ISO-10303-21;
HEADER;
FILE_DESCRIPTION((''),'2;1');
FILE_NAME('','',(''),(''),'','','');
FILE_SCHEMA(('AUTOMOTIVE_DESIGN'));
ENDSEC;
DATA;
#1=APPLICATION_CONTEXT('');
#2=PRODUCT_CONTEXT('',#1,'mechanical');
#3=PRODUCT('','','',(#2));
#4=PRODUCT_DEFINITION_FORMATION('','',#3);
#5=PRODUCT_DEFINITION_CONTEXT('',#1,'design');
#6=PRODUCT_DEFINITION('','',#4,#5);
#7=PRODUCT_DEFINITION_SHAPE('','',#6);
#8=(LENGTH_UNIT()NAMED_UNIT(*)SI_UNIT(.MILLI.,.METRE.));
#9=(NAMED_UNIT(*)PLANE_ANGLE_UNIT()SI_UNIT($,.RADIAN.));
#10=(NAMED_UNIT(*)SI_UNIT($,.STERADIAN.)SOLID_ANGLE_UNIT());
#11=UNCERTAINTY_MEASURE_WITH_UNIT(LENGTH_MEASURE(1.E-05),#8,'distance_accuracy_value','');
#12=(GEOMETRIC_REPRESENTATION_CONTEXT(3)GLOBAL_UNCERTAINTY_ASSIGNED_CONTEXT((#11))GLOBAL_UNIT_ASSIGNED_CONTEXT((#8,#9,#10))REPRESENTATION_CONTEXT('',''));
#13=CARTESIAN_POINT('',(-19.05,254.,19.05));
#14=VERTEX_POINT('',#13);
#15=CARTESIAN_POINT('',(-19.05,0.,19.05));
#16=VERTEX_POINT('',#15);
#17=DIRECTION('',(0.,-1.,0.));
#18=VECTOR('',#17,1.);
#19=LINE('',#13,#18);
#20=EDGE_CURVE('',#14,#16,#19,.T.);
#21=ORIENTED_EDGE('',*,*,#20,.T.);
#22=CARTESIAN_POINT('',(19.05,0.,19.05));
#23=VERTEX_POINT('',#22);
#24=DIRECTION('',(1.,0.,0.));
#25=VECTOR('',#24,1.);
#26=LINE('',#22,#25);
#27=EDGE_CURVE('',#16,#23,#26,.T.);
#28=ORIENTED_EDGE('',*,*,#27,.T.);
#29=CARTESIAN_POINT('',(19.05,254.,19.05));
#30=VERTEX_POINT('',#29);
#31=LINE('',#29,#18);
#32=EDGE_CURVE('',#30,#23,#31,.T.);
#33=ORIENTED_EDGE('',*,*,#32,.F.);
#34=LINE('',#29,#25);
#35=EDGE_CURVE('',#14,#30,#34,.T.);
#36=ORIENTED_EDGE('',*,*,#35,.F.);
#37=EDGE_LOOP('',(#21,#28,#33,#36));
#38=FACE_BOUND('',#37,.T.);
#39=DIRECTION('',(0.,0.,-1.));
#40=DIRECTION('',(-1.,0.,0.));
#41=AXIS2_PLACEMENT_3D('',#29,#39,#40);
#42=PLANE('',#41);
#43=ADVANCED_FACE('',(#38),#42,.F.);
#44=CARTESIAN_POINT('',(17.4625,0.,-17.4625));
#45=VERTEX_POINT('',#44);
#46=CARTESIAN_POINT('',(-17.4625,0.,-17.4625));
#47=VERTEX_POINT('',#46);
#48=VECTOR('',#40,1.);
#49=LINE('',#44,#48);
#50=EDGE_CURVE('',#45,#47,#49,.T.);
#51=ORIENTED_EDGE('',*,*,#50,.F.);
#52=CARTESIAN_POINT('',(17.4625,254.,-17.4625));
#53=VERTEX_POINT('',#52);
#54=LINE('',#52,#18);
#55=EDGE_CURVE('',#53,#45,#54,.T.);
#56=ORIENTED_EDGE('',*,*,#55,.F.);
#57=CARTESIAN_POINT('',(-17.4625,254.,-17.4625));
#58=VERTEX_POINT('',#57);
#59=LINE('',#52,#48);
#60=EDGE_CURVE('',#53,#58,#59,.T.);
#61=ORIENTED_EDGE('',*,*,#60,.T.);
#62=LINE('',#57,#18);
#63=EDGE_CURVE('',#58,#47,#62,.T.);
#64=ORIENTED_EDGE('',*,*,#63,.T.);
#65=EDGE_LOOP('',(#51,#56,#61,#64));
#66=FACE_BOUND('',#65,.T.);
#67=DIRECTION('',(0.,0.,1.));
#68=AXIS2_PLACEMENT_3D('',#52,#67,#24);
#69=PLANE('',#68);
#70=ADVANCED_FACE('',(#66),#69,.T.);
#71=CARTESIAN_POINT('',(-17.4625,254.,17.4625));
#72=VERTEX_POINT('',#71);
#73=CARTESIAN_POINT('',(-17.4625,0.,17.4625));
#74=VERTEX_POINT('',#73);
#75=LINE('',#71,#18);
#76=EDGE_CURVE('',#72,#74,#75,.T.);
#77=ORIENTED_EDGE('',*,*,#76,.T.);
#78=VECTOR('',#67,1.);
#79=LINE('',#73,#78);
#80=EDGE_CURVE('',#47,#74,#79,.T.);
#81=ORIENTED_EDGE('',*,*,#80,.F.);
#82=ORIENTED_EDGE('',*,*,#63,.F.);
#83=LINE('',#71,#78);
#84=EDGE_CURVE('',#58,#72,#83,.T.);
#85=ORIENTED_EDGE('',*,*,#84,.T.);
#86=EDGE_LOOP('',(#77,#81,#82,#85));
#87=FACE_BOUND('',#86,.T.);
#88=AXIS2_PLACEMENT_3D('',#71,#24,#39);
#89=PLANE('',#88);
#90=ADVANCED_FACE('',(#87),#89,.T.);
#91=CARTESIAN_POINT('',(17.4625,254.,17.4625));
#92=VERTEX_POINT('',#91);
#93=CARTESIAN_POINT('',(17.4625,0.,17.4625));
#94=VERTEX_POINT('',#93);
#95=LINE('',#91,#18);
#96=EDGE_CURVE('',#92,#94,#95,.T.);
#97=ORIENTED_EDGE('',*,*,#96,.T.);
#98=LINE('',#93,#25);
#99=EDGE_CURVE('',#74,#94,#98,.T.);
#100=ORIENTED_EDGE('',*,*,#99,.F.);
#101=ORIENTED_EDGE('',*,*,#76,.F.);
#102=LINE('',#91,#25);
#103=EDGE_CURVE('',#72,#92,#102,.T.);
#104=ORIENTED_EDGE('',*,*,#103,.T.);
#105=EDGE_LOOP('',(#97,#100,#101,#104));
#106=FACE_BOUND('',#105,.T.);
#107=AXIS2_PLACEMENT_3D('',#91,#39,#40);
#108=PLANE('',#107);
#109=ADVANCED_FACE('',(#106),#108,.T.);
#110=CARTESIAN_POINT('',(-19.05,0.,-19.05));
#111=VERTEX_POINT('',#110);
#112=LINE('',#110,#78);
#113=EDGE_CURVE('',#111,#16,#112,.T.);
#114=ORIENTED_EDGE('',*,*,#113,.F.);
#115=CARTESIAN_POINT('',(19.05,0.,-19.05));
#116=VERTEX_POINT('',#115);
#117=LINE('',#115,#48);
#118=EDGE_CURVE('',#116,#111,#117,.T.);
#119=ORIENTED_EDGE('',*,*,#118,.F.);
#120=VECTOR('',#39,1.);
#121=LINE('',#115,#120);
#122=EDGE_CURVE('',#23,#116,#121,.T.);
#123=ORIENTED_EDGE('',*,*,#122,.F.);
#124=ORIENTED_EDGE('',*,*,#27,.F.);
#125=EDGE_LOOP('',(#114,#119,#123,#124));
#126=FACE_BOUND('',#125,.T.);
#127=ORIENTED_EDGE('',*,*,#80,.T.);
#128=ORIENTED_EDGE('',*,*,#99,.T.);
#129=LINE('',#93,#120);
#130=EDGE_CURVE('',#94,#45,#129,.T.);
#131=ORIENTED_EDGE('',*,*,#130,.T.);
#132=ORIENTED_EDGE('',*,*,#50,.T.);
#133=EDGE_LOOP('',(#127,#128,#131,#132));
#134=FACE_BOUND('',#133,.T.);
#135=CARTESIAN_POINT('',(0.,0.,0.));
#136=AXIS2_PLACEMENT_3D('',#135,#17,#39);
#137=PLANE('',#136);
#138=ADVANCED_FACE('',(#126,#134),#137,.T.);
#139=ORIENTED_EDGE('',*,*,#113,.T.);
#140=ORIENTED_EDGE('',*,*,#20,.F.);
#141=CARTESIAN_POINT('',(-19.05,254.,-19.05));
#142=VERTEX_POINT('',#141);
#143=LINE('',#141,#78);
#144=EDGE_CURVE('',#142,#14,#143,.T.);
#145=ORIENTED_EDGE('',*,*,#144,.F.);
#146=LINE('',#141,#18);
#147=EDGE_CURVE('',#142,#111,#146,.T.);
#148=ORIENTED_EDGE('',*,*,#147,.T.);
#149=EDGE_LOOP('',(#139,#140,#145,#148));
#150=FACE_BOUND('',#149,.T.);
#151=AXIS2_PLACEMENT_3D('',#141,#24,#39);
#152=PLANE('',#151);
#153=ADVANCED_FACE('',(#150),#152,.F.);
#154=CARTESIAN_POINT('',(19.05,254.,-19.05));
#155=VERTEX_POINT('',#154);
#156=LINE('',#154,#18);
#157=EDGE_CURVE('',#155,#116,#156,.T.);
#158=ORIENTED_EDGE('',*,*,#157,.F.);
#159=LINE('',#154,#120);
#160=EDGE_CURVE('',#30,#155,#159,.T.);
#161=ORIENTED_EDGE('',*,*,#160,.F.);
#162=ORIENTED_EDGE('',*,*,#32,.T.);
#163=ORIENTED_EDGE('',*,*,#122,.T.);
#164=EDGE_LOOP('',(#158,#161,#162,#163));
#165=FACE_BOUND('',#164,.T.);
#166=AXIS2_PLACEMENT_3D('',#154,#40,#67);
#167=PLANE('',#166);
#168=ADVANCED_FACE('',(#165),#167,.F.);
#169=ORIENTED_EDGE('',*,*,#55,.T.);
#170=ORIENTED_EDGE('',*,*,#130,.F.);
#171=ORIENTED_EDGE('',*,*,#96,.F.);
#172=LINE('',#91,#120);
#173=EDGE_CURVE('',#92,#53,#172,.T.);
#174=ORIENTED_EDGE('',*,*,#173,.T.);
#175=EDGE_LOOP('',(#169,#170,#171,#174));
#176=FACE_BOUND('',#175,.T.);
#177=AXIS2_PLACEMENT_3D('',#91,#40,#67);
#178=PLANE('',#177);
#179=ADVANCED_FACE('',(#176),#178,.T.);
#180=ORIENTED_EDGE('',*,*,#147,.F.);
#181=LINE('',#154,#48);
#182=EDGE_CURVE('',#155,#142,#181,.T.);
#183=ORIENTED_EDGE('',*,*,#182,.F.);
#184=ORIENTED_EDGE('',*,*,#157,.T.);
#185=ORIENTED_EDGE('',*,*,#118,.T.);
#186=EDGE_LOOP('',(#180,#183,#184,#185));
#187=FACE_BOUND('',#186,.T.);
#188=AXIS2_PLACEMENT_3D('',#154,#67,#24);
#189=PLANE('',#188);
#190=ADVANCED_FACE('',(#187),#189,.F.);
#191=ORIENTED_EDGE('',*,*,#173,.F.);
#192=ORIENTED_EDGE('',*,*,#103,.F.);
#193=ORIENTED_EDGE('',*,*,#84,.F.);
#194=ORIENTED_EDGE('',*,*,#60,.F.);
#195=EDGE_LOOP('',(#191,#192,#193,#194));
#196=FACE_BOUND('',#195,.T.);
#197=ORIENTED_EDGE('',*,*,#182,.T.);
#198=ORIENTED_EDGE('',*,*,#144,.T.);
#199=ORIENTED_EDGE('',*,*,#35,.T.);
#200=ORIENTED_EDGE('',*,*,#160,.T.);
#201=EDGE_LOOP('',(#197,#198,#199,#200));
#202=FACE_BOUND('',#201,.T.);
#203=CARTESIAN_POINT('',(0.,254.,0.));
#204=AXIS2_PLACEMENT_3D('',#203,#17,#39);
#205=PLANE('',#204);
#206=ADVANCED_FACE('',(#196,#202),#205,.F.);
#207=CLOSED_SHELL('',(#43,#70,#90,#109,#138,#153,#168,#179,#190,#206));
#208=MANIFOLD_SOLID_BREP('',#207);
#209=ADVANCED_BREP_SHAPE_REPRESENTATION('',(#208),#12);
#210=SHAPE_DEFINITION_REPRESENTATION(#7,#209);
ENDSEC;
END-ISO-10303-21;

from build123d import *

# Parameters (mm, degrees)
SKETCH1_W           = 38.1
SKETCH1_H           = 38.1
SKETCH1_W_2         = 34.925
SKETCH1_H_2         = 34.925
BOSS_EXTRUDE1_DEPTH = 254


with BuildPart() as part:
    # Sketch1 → Boss-Extrude1 (new body)
    with BuildSketch(Plane(origin=(0, 0, 0), x_dir=(1, 0, 0), z_dir=(0, 1, 0))):
        Rectangle(SKETCH1_W, SKETCH1_H)
        Rectangle(SKETCH1_W_2, SKETCH1_H_2, mode=Mode.SUBTRACT)
    extrude(amount=BOSS_EXTRUDE1_DEPTH)


solid = part.part
